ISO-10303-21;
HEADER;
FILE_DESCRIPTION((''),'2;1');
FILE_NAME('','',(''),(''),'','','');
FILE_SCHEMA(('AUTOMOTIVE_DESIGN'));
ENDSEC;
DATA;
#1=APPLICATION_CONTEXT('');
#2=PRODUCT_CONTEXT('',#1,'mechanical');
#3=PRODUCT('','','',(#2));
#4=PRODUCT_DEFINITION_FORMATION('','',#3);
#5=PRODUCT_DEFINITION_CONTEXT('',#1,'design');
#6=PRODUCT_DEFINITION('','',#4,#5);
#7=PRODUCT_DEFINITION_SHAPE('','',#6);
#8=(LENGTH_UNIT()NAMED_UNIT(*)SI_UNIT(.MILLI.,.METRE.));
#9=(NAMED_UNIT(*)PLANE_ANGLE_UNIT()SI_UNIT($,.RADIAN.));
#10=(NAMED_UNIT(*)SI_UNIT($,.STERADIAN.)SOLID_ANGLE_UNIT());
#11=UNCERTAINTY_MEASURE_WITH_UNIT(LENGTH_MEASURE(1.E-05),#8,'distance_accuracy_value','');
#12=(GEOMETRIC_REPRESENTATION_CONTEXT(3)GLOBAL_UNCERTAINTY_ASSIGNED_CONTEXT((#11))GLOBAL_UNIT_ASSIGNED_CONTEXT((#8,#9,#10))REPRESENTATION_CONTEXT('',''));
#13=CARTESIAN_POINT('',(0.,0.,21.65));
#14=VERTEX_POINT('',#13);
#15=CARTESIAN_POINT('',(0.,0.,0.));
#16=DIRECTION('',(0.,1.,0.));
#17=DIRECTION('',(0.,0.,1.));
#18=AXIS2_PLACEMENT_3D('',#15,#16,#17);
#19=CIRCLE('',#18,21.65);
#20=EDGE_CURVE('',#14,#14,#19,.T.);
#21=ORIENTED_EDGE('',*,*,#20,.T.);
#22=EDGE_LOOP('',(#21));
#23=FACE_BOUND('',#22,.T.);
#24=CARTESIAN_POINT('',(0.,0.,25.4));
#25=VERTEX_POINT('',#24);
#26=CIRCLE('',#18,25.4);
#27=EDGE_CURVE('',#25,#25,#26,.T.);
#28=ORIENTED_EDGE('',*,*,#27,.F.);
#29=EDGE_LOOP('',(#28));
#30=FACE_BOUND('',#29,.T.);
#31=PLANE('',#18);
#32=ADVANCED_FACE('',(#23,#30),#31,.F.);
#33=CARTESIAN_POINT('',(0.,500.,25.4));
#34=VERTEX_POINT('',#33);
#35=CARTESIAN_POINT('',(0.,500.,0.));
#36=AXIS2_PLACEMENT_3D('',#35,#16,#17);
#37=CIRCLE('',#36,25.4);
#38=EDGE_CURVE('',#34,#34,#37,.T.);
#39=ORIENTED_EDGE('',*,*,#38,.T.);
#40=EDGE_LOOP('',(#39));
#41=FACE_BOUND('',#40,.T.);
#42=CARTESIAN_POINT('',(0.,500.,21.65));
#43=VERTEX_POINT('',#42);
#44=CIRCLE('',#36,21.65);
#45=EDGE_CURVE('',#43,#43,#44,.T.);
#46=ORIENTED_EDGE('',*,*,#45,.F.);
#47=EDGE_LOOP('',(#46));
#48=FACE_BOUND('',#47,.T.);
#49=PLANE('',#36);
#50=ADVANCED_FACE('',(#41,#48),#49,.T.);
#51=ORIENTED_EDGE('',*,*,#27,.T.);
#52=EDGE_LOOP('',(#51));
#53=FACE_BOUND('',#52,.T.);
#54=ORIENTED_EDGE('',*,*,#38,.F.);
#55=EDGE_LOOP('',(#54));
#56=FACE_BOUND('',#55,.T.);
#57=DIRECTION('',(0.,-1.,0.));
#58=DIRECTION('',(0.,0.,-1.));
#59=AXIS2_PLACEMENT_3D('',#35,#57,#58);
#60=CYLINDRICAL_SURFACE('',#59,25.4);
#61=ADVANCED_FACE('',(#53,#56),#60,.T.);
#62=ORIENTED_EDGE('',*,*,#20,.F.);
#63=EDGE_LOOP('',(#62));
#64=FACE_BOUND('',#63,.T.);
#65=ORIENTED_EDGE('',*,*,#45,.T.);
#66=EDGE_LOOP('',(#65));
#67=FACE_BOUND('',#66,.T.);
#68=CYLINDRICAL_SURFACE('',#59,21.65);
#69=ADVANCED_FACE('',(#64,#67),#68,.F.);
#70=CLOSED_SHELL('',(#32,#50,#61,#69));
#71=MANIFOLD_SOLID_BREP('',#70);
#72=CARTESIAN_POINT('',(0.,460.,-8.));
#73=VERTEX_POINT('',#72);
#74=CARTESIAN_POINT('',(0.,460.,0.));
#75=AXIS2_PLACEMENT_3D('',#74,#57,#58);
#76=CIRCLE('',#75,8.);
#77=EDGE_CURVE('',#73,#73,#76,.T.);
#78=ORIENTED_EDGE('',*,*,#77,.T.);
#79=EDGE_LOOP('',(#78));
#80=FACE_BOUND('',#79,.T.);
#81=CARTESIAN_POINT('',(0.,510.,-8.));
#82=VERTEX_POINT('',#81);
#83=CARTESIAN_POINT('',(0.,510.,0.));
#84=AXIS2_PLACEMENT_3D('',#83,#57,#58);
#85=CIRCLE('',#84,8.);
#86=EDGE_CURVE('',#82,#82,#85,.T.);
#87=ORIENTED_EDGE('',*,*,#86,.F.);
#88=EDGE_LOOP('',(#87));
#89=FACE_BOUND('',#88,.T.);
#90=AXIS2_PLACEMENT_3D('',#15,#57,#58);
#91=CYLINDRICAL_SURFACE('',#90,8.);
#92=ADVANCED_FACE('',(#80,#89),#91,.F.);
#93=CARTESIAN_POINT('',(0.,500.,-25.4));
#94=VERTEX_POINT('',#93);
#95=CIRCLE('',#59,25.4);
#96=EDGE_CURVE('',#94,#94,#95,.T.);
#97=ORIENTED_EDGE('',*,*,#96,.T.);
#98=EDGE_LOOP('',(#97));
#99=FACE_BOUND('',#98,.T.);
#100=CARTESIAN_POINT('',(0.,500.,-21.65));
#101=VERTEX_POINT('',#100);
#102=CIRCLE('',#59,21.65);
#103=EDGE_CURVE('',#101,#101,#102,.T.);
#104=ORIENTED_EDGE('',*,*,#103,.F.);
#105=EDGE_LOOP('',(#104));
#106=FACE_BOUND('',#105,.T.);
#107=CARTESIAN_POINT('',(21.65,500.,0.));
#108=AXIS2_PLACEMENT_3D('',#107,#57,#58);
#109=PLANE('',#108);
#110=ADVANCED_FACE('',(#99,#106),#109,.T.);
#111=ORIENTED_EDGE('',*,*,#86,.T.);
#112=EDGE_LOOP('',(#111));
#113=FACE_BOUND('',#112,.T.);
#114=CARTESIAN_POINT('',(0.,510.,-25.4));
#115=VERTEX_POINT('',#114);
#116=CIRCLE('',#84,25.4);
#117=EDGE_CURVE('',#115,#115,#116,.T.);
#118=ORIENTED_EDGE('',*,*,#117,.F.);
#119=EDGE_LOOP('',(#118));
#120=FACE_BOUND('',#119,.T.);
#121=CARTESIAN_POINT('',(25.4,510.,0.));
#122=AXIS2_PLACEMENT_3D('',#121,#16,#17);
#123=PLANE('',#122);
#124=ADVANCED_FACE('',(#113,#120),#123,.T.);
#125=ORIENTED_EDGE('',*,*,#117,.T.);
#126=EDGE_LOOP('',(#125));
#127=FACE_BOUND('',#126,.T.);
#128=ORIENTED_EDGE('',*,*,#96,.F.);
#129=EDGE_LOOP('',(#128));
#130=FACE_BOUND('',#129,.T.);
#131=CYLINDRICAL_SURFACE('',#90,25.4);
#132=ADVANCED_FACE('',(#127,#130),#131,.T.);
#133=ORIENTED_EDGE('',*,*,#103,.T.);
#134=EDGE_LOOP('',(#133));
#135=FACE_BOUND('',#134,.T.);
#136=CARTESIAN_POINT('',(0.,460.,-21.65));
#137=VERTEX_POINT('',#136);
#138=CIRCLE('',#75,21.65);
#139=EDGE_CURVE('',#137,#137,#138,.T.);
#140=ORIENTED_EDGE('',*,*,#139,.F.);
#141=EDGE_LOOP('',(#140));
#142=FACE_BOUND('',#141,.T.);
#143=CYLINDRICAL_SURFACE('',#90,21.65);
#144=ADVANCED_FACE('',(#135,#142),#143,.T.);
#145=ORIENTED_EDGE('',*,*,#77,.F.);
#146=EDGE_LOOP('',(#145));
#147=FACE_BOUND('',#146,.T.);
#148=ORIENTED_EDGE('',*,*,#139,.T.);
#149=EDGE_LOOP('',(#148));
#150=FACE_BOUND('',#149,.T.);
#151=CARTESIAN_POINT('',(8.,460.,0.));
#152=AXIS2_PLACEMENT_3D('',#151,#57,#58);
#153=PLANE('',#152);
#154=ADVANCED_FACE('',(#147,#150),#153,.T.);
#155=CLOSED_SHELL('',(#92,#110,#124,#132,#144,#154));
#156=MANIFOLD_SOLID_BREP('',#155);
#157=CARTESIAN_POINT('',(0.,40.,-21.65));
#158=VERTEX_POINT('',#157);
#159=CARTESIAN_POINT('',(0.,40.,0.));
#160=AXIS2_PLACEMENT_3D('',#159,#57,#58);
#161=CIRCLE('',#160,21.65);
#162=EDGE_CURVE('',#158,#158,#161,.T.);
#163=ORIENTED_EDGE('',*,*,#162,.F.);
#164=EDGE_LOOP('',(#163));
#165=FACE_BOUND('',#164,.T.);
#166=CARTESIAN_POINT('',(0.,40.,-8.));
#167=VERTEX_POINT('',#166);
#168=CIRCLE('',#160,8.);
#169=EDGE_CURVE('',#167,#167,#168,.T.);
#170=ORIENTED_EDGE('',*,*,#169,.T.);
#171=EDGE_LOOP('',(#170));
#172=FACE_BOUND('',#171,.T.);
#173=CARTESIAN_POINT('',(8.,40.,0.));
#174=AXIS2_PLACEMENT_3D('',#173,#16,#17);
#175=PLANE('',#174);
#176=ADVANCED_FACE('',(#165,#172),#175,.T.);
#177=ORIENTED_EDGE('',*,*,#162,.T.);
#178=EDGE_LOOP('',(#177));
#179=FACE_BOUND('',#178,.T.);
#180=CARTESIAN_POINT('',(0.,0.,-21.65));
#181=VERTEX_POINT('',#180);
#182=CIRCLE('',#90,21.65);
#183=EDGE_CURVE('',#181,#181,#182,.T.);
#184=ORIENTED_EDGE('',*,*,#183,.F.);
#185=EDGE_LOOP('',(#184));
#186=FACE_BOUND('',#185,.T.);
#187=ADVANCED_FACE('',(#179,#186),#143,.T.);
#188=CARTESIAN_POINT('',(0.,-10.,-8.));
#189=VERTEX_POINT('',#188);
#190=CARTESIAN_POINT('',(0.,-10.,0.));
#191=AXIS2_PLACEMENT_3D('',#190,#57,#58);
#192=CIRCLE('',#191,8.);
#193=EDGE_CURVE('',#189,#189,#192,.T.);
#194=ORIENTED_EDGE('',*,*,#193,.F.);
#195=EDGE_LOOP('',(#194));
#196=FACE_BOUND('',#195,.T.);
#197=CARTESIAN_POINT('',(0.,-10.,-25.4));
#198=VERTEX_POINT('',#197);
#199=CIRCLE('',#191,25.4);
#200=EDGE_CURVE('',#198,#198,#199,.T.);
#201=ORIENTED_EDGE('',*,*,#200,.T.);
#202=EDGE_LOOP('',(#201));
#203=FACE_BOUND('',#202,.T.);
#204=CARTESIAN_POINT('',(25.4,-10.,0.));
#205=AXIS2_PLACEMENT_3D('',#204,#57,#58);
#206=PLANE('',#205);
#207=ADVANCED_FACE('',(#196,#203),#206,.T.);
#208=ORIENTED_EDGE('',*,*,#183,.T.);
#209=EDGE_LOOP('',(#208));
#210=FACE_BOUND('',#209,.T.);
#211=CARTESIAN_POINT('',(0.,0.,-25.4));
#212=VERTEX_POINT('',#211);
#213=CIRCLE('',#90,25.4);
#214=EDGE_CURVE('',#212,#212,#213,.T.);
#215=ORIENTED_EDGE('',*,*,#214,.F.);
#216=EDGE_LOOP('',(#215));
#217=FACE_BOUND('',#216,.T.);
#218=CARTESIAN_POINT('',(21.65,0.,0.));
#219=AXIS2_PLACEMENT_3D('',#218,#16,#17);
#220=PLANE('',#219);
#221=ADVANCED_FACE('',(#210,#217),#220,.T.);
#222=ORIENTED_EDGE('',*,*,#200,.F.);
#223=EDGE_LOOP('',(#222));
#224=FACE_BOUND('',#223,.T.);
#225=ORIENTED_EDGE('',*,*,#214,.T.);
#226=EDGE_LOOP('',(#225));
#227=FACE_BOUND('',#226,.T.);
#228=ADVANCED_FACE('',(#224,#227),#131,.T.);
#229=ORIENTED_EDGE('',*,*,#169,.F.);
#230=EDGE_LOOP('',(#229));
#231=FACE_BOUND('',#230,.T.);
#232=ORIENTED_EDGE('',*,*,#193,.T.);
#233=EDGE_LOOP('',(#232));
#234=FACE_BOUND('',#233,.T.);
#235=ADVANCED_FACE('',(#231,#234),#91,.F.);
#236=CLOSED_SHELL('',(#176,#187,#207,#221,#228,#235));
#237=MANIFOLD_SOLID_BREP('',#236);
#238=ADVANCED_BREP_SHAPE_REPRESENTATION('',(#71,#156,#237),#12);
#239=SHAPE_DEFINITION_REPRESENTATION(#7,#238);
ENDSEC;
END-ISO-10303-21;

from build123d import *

# Parameters (mm, degrees)
ESBO_O1_R                = 25.4
ESBO_O1_R_2              = 21.65
RESSALTO_EXTRUS_O1_DEPTH = 500


with BuildPart() as part:
    # Esboço1 → Ressalto-extrusão1 (new body)
    with BuildSketch(Plane(origin=(0, 0, 0), x_dir=(1, 0, 0), z_dir=(0, 1, 0))):
        Circle(ESBO_O1_R)
        Circle(ESBO_O1_R_2, mode=Mode.SUBTRACT)
    extrude(amount=RESSALTO_EXTRUS_O1_DEPTH)


with BuildPart() as body_2:
    # Esboço2 → Revolução1 (revolve)
    with BuildSketch(Plane.XY):
        Polygon((25.4, 500), (25.4, 510), (8, 510), (8, 460), (21.65, 460), (21.65, 500), align=None)
        Polygon((8, -10), (8, 40), (21.65, 40), (21.65, 0), (25.4, 0), (25.4, -10), align=None)
    revolve(axis=Axis((0, 0, 0), (0, 1, 0)))


solid = Compound([part.part, body_2.part])
